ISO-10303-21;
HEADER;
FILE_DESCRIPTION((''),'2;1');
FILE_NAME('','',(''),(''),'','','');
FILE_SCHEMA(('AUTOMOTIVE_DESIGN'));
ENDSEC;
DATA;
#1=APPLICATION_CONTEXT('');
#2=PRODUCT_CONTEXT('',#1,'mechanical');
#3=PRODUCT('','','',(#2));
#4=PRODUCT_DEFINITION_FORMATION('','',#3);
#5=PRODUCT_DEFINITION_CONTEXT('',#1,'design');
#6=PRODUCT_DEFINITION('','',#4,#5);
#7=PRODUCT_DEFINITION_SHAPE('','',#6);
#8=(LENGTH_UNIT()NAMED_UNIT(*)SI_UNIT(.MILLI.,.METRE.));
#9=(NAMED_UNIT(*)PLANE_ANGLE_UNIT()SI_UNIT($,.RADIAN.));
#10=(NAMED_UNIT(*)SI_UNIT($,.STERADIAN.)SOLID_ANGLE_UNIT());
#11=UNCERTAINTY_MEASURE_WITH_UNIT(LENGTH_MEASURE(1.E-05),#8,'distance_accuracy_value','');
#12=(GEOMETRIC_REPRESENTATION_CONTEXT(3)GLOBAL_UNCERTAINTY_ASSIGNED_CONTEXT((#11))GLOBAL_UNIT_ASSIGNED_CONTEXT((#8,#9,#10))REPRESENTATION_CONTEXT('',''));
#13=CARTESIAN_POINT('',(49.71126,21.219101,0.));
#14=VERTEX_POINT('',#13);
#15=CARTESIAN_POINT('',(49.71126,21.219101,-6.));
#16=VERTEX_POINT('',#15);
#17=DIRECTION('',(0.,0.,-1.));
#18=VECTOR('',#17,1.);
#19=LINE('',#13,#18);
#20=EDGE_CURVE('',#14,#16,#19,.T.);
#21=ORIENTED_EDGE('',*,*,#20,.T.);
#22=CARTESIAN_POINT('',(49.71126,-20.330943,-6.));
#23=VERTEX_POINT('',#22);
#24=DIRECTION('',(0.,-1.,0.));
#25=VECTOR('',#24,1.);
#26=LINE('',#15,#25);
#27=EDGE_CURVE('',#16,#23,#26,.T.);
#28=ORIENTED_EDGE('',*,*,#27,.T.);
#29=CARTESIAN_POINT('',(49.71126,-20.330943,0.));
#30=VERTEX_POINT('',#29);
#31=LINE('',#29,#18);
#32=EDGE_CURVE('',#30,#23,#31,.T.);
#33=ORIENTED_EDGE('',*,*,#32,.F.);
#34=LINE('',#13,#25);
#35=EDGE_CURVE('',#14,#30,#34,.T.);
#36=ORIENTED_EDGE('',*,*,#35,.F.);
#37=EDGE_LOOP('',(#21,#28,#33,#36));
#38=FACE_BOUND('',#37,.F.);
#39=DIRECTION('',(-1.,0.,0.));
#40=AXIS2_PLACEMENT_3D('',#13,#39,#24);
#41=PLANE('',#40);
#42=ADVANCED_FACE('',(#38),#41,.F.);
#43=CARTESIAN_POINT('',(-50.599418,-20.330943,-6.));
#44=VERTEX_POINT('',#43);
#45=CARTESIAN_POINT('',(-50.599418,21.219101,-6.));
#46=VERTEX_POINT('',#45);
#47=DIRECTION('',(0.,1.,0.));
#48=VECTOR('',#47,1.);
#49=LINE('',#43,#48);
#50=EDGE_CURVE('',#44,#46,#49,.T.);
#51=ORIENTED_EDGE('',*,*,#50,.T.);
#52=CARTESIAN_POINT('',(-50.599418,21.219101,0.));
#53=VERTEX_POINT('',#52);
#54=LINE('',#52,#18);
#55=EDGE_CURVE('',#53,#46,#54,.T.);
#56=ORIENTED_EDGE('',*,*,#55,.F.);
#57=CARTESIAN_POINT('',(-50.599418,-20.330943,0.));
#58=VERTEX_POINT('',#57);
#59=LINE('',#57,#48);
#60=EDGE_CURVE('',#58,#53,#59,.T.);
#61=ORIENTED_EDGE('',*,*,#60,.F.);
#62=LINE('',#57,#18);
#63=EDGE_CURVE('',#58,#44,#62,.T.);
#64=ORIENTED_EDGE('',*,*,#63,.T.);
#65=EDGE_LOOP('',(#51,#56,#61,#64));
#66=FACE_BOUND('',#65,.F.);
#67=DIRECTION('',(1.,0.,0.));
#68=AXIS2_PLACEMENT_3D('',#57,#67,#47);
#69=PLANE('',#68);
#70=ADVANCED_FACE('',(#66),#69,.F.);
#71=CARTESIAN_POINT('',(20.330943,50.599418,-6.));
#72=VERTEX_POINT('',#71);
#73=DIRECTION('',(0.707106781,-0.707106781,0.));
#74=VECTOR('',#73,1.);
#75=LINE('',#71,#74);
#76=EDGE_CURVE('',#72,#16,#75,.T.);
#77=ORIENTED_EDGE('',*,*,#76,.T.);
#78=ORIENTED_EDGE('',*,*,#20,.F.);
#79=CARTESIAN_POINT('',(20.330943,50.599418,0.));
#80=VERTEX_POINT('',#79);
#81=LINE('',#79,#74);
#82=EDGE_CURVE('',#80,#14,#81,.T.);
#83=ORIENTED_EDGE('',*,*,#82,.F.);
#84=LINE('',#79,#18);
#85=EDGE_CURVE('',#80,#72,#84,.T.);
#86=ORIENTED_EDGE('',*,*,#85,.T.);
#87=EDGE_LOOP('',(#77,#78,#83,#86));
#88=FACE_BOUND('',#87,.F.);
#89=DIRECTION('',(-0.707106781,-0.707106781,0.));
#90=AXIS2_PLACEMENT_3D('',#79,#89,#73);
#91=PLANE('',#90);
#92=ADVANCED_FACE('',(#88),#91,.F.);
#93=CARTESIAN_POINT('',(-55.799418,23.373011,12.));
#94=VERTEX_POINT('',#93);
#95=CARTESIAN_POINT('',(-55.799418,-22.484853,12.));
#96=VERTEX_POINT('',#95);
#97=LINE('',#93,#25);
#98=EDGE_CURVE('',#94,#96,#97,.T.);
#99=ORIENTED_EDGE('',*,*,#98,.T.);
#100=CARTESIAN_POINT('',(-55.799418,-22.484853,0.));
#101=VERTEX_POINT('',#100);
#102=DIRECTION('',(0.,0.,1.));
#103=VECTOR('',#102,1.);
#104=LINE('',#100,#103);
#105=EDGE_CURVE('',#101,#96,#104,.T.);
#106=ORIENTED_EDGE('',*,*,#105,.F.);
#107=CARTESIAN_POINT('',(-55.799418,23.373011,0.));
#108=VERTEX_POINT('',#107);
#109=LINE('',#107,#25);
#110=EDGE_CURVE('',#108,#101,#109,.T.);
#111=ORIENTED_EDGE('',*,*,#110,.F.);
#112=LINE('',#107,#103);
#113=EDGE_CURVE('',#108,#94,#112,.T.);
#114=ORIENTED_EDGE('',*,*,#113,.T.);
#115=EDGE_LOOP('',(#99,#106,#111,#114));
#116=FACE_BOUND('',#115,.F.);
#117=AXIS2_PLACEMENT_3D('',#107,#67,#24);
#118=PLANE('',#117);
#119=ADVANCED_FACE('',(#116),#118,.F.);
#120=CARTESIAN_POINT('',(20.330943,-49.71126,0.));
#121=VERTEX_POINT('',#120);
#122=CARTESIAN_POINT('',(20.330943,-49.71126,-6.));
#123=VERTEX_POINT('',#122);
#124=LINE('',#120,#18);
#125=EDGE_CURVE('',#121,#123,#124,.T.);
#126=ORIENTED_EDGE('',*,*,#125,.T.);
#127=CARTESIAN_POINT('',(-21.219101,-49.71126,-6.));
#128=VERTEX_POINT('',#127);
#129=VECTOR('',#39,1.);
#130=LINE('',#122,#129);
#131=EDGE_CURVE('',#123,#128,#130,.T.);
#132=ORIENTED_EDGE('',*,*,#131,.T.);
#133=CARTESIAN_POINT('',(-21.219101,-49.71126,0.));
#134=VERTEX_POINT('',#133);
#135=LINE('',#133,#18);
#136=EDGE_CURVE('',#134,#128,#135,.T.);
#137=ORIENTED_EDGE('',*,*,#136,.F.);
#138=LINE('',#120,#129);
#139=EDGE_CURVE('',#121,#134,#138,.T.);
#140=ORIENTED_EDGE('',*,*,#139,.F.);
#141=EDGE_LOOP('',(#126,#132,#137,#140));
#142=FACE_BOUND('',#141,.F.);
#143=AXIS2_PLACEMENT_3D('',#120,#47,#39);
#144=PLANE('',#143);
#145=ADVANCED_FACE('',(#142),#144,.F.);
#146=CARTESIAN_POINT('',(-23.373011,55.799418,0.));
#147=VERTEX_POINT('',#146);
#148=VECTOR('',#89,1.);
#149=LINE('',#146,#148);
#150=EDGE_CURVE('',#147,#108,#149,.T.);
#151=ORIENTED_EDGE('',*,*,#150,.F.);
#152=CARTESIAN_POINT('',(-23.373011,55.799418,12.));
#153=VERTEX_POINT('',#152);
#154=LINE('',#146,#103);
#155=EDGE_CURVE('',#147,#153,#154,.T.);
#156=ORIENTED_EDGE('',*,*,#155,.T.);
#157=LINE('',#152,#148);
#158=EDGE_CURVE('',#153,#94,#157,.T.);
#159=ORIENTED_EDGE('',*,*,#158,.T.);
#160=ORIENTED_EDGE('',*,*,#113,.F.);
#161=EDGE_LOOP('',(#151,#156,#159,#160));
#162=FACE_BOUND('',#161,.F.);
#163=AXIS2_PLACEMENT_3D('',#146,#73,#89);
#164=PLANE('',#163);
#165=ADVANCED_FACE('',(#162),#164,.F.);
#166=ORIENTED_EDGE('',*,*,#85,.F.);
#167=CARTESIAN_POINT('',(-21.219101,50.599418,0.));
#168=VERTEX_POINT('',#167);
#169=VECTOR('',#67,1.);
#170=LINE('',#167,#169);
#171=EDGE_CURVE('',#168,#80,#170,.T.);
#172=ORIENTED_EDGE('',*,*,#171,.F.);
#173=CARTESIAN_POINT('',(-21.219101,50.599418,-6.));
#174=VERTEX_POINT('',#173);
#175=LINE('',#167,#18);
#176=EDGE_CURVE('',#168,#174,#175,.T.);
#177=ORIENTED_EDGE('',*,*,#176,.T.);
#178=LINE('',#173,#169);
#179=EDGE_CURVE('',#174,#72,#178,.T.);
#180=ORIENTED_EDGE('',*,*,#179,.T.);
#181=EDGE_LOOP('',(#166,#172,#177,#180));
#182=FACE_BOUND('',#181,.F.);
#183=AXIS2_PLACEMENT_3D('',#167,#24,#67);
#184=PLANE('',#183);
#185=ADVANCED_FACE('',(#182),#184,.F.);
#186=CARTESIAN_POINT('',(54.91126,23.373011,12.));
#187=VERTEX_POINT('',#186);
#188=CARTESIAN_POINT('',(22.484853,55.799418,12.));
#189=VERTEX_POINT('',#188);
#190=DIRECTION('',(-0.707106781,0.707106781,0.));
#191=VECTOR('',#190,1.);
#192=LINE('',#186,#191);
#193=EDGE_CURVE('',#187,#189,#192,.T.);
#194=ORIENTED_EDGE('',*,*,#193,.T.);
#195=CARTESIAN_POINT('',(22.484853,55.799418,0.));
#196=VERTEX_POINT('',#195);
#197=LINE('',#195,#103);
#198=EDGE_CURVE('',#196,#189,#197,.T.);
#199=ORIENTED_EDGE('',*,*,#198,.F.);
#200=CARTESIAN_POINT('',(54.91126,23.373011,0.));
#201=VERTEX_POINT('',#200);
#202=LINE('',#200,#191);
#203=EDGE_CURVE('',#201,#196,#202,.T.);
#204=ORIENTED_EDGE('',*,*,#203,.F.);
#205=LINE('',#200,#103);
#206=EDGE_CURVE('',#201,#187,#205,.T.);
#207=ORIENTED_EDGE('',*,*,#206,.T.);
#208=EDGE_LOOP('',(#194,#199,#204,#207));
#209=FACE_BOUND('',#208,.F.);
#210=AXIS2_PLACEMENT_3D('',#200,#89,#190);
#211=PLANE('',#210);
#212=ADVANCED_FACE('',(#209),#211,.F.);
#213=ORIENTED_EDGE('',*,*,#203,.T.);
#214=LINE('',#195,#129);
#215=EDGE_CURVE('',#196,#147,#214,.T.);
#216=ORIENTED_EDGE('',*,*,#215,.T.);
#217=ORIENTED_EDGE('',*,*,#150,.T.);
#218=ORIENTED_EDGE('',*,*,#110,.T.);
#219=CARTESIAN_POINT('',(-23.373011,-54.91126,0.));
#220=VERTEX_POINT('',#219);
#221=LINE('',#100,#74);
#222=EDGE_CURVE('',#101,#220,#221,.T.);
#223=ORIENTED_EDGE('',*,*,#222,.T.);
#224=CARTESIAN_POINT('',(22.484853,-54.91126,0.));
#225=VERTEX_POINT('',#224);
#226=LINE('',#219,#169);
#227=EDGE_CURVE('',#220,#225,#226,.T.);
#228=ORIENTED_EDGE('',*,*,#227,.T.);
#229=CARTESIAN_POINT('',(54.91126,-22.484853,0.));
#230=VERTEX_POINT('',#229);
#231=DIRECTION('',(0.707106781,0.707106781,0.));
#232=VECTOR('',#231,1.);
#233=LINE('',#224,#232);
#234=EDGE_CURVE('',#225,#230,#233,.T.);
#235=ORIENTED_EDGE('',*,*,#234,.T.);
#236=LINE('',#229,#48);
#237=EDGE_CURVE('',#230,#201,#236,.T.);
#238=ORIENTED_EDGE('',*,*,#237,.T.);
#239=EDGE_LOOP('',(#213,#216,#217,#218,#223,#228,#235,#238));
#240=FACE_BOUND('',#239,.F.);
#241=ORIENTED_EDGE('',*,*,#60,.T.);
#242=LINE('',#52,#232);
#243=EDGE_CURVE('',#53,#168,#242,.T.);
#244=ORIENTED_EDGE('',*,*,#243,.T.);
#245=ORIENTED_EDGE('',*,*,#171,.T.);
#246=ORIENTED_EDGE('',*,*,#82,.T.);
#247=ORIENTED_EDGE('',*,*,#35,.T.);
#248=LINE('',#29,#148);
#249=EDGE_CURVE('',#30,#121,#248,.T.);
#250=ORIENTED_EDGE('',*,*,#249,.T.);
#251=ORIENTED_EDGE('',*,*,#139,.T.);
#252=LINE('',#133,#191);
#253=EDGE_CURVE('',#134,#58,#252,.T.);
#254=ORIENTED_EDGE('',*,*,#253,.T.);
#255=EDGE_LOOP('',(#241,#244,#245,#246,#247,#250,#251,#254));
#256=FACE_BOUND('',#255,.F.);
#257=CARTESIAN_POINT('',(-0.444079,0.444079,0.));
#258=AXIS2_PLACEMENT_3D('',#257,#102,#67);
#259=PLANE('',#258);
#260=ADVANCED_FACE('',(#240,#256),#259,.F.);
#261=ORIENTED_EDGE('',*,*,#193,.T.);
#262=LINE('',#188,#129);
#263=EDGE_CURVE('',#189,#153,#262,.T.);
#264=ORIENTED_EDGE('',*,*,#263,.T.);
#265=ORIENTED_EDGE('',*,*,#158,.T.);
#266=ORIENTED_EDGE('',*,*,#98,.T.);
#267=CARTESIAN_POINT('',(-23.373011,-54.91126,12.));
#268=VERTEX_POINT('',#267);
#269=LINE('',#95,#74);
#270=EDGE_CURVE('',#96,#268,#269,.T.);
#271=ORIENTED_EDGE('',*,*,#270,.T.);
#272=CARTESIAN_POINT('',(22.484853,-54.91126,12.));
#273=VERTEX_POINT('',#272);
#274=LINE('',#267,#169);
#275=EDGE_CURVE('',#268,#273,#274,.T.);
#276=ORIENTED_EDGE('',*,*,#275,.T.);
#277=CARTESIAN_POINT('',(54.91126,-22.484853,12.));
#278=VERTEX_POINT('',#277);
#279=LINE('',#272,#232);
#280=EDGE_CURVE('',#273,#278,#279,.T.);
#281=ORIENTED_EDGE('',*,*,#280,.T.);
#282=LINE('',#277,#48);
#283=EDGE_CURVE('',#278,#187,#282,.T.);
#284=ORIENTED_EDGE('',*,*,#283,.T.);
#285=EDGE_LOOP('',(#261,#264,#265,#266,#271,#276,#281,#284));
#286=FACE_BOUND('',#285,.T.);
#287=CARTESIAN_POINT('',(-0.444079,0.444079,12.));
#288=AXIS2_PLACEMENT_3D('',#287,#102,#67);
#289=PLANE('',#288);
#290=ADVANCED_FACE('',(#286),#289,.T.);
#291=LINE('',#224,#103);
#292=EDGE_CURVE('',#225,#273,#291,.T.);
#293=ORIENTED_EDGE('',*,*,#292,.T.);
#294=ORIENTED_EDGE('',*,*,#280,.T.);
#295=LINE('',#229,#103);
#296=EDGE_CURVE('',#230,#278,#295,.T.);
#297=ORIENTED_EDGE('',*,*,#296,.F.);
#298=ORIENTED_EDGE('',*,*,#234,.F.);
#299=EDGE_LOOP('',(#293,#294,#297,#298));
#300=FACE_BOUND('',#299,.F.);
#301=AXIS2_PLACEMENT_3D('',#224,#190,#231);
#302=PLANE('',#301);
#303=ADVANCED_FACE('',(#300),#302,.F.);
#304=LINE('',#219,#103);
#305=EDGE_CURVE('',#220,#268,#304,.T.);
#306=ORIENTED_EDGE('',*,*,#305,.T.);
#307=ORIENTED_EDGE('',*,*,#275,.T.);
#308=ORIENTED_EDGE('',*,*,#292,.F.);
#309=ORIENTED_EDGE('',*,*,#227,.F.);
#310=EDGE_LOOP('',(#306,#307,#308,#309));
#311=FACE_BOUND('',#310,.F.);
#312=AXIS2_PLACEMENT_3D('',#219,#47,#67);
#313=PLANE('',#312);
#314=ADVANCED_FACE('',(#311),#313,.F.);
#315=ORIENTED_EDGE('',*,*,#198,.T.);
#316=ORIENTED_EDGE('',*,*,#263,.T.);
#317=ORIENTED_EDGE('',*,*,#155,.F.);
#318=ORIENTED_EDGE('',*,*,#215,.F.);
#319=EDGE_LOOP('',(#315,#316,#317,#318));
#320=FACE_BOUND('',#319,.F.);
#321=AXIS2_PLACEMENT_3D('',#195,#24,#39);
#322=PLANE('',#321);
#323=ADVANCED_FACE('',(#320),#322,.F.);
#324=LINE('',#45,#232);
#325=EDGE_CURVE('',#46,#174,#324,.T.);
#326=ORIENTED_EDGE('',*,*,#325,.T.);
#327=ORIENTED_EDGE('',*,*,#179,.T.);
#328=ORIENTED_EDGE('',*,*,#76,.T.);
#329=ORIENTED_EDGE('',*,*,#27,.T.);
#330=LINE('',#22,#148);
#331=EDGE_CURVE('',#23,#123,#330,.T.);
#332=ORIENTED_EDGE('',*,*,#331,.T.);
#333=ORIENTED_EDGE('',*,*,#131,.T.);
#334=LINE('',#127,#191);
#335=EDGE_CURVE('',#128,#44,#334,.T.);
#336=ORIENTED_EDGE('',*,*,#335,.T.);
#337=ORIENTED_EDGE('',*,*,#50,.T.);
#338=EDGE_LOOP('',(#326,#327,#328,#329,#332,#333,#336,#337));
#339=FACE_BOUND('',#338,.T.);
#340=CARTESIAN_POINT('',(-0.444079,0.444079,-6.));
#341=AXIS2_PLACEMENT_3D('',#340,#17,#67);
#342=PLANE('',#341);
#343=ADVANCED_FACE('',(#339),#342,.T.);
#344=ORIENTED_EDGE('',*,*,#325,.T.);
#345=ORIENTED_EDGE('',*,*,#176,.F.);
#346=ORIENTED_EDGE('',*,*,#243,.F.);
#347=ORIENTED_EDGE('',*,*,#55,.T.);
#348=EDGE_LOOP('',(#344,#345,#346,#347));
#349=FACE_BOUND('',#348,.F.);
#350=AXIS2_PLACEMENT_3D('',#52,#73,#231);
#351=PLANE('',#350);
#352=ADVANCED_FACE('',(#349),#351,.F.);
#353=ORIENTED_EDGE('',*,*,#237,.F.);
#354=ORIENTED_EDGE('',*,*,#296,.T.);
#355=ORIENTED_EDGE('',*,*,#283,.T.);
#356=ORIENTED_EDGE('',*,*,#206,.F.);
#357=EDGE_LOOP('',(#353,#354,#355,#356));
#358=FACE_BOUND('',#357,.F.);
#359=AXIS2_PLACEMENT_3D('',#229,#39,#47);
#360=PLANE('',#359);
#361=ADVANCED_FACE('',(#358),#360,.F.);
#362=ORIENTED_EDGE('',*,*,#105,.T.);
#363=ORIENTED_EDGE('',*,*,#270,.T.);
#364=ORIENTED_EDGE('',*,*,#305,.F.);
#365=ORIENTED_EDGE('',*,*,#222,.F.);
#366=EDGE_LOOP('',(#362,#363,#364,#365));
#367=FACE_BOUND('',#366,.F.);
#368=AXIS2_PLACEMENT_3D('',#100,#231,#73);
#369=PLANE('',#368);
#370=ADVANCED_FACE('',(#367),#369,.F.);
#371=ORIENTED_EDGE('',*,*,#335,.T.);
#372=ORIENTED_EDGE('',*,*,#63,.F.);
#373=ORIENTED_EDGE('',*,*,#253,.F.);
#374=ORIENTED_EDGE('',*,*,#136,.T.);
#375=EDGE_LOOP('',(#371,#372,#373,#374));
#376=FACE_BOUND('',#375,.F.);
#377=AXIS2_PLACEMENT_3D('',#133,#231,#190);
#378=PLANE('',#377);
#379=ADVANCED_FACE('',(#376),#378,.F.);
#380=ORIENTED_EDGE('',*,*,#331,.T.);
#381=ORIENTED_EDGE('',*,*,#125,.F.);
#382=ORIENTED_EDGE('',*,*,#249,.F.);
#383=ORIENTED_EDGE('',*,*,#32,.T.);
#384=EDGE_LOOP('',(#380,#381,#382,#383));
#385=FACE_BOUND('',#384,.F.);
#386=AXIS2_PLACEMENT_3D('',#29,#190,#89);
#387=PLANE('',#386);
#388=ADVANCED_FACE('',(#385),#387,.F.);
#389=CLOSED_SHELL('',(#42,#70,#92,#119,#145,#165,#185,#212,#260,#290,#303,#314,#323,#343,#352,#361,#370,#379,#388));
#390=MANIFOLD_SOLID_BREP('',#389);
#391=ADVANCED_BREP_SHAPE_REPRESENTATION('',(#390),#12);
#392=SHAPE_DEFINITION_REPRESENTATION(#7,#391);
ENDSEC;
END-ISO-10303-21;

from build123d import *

# Parameters (mm, degrees)
F1_DEPTH = 12
F3_DEPTH = 6


with BuildPart() as f1:
    # F0 (on Top) → F1 (new body)
    with BuildSketch(Plane.XY):
        Polygon((54.91126, -22.484853), (54.91126, 23.373011), (22.484853, 55.799418), (-23.373011, 55.799418), (-55.799418, 23.373011), (-55.799418, -22.484853), (-23.373011, -54.91126), (22.484853, -54.91126), align=None)
        Polygon((20.330943, 50.599418), (49.71126, 21.219101), (49.71126, -20.330943), (20.330943, -49.71126), (-21.219101, -49.71126), (-50.599418, -20.330943), (-50.599418, 21.219101), (-21.219101, 50.599418), align=None, mode=Mode.SUBTRACT)
        Polygon((49.71126, -20.330943), (49.71126, 21.219101), (20.330943, 50.599418), (-21.219101, 50.599418), (-50.599418, 21.219101), (-50.599418, -20.330943), (-21.219101, -49.71126), (20.330943, -49.71126), align=None)
    extrude(amount=F1_DEPTH)

    # F2 (on face) → F3 (join)
    with BuildSketch(Plane(origin=(0, 0, 0), x_dir=(1, 0, 0), z_dir=(0, 0, -1))):
        Polygon((-21.219101, 49.71126), (-50.599418, 20.330943), (-50.599418, -21.219101), (-21.219101, -50.599418), (20.330943, -50.599418), (49.71126, -21.219101), (49.71126, 20.330943), (20.330943, 49.71126), align=None)
    extrude(amount=F3_DEPTH)


solid = f1.part
